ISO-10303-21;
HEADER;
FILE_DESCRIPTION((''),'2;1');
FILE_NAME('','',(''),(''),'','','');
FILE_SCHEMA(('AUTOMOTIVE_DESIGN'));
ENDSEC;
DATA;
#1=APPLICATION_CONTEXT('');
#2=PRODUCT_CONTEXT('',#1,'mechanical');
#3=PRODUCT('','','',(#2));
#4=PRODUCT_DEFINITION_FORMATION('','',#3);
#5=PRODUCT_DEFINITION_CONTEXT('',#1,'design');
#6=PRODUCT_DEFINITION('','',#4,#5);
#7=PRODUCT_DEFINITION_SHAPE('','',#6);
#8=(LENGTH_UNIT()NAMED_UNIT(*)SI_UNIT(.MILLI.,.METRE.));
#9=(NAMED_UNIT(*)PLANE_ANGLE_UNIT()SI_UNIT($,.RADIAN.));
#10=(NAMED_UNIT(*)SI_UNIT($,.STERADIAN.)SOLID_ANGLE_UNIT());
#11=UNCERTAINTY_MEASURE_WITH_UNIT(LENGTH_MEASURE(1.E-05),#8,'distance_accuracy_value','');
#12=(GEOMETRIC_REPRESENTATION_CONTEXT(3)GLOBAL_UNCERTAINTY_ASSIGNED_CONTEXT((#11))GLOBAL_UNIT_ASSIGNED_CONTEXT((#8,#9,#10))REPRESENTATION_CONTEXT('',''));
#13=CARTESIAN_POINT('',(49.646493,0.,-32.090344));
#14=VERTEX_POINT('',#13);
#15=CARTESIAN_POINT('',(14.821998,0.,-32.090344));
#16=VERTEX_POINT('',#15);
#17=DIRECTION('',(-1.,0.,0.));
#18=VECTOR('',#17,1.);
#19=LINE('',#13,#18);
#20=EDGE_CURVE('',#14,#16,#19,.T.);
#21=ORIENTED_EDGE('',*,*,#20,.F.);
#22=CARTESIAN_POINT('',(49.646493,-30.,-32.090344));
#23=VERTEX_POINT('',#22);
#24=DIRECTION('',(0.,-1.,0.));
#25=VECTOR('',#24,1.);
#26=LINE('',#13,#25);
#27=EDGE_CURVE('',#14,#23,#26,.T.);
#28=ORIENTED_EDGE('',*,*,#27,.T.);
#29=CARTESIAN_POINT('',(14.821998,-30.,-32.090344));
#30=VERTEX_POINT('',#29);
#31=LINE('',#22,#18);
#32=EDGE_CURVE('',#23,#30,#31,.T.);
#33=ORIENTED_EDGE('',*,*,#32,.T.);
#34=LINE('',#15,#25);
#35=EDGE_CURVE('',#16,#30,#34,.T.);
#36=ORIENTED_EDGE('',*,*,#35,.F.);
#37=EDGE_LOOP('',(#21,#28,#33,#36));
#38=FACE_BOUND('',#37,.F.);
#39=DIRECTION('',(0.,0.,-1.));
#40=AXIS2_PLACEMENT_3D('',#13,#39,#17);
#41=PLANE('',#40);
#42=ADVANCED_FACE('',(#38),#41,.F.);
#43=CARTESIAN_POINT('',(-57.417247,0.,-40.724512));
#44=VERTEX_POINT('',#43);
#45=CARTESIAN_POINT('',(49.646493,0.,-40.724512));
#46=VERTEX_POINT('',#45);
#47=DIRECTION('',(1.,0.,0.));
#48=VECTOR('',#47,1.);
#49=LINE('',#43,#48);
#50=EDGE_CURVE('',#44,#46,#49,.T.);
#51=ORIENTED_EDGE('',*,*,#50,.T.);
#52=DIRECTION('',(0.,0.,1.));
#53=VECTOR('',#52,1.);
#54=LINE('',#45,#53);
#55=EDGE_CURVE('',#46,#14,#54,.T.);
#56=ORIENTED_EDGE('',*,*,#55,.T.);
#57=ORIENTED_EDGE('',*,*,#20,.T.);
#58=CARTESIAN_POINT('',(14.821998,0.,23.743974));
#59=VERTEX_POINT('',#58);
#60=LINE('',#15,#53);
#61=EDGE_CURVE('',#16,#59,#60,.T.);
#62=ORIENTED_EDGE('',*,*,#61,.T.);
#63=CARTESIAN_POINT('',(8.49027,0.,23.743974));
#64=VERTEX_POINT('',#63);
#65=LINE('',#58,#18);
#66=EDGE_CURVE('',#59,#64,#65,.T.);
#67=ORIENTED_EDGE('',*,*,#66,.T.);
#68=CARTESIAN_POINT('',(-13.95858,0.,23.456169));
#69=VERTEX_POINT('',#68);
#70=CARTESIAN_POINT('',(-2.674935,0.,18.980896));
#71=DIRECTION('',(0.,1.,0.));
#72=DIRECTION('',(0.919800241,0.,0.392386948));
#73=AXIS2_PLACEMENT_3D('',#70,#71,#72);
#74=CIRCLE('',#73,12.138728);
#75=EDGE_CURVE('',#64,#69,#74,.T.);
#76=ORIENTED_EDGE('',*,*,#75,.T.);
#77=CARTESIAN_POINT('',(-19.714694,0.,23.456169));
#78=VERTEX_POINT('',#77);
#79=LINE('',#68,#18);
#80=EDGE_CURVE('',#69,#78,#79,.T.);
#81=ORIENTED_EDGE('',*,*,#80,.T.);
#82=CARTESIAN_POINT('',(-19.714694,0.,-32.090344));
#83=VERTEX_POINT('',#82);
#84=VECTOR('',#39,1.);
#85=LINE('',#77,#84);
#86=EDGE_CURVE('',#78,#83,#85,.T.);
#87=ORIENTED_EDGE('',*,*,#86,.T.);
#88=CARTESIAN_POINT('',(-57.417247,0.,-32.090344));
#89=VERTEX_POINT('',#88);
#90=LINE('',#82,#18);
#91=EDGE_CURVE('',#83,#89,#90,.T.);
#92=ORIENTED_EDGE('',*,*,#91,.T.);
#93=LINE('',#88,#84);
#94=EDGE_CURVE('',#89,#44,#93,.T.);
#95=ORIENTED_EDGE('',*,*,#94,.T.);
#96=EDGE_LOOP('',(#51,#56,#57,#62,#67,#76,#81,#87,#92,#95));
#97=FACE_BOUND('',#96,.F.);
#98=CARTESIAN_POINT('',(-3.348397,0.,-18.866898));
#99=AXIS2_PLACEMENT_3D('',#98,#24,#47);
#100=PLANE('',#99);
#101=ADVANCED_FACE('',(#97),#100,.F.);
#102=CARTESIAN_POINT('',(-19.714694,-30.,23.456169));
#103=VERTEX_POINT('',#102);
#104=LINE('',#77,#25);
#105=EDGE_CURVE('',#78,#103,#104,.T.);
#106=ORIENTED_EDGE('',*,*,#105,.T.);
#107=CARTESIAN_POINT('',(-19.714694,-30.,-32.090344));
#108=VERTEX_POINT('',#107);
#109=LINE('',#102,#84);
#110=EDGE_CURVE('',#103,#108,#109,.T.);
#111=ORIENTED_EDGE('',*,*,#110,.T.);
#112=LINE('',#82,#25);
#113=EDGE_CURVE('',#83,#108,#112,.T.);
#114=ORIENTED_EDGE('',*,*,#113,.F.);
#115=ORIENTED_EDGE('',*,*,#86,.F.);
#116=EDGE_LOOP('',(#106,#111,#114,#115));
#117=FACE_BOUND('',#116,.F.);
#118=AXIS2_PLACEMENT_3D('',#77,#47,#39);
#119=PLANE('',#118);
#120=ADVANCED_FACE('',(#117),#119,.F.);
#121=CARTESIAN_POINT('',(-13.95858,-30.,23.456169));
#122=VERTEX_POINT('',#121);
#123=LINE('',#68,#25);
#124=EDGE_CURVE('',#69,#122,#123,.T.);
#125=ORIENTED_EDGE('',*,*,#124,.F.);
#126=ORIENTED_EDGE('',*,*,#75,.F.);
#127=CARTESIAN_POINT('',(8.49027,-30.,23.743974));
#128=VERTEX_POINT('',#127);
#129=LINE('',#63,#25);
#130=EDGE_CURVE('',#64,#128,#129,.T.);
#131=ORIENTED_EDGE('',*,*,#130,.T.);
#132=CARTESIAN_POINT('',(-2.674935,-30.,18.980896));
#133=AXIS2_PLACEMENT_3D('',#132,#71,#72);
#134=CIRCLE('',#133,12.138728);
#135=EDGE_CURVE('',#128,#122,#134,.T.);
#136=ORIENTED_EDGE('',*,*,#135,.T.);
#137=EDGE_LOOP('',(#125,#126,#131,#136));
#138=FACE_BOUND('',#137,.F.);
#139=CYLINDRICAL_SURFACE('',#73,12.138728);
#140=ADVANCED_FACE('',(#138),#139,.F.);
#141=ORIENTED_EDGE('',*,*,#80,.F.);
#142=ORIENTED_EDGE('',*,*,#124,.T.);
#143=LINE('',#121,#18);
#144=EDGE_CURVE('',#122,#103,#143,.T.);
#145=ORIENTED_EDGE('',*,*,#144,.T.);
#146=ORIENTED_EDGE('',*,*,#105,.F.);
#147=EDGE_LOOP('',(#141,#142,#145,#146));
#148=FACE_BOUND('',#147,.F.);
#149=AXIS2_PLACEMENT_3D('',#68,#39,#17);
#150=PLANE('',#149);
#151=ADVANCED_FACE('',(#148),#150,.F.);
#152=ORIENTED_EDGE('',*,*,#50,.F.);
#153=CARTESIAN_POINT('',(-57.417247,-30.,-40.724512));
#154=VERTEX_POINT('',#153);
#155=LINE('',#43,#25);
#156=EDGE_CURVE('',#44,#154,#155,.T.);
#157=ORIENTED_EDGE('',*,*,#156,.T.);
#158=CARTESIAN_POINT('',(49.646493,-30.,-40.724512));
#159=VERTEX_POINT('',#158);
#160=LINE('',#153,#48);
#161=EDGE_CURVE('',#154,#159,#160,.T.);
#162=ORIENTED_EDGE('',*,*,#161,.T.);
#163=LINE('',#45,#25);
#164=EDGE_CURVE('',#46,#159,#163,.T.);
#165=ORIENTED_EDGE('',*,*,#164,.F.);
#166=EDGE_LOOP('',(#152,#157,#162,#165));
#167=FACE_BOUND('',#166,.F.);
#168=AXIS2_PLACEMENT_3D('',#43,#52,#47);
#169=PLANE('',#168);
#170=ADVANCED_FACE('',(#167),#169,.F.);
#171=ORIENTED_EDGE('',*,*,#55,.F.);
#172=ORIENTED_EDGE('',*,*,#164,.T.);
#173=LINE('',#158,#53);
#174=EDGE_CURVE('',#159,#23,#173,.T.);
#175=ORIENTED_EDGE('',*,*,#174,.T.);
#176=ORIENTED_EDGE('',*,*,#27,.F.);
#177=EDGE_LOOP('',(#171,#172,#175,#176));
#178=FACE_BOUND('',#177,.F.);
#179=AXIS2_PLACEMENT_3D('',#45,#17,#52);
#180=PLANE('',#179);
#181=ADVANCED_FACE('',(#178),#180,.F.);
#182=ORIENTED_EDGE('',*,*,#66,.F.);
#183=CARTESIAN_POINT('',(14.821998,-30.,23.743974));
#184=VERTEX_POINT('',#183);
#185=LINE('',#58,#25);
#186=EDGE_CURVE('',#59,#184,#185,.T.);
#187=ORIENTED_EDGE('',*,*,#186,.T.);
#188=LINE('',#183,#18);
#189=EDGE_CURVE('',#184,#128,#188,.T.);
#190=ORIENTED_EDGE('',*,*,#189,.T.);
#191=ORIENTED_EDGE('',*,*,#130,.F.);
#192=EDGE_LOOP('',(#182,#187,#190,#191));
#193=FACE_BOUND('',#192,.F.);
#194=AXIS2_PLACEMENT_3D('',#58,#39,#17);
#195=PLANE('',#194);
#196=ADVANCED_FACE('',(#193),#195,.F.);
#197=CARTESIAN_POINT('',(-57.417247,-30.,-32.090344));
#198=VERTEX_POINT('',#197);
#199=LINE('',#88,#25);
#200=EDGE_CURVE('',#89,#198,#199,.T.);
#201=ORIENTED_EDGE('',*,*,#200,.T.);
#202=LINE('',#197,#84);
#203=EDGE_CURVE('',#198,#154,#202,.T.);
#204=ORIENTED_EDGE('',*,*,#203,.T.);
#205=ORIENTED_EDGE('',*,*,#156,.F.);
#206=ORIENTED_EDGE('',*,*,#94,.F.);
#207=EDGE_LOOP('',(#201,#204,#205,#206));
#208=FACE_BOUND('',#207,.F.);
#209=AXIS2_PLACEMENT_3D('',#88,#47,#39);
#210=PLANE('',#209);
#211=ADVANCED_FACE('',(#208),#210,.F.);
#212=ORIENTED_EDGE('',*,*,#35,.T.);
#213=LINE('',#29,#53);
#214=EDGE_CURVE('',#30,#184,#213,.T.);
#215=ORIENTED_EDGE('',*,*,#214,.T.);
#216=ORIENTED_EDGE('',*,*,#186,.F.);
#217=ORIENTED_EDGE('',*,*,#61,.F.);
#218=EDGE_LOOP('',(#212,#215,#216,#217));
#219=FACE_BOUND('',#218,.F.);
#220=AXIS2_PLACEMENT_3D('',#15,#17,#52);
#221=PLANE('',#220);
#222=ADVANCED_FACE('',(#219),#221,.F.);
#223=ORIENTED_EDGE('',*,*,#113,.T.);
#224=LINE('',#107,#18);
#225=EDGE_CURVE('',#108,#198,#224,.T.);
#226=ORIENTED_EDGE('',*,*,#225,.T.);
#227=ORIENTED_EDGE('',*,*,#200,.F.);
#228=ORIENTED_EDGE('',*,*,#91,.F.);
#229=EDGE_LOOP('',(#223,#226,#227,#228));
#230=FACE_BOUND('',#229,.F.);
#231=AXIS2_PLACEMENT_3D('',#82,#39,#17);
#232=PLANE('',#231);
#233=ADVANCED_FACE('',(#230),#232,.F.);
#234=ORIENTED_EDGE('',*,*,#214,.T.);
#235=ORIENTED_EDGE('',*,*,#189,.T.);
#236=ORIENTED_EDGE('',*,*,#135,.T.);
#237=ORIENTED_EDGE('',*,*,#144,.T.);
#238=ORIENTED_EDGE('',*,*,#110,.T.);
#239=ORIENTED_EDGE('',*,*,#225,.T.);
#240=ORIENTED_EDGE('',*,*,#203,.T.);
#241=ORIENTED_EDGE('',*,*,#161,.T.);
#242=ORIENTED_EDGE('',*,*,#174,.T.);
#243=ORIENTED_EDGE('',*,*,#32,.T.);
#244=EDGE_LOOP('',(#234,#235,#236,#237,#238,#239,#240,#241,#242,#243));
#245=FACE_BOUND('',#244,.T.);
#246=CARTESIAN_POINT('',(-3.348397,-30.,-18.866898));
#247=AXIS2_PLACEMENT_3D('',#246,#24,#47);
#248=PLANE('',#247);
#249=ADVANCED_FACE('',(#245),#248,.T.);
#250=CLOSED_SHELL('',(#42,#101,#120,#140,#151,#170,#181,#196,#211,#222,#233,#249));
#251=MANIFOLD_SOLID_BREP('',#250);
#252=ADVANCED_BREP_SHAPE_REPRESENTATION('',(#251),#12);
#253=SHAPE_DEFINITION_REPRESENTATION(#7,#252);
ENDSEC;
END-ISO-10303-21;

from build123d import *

# Parameters (mm, degrees)
F1_DEPTH = 30


with BuildPart() as f1:
    # F0 (on Front) → F1 (new body)
    with BuildSketch(Plane.XZ):
        with BuildLine():
            Line((-19.714694, 23.456169), (-19.714694, -32.090344))
            Line((-19.714694, -32.090344), (-57.417247, -32.090344))
            Line((-57.417247, -32.090344), (-57.417247, -40.724512))
            Line((-57.417247, -40.724512), (49.646493, -40.724512))
            Line((49.646493, -40.724512), (49.646493, -32.090344))
            Line((49.646493, -32.090344), (14.821998, -32.090344))
            Line((14.821998, -32.090344), (14.821998, 23.743974))
            Line((14.821998, 23.743974), (8.49027, 23.743974))
            ThreePointArc((8.49027, 23.743974), (-2.519324, 6.843165), (-13.95858, 23.456169))
            Line((-13.95858, 23.456169), (-19.714694, 23.456169))
        make_face()
    extrude(amount=F1_DEPTH)


solid = f1.part
